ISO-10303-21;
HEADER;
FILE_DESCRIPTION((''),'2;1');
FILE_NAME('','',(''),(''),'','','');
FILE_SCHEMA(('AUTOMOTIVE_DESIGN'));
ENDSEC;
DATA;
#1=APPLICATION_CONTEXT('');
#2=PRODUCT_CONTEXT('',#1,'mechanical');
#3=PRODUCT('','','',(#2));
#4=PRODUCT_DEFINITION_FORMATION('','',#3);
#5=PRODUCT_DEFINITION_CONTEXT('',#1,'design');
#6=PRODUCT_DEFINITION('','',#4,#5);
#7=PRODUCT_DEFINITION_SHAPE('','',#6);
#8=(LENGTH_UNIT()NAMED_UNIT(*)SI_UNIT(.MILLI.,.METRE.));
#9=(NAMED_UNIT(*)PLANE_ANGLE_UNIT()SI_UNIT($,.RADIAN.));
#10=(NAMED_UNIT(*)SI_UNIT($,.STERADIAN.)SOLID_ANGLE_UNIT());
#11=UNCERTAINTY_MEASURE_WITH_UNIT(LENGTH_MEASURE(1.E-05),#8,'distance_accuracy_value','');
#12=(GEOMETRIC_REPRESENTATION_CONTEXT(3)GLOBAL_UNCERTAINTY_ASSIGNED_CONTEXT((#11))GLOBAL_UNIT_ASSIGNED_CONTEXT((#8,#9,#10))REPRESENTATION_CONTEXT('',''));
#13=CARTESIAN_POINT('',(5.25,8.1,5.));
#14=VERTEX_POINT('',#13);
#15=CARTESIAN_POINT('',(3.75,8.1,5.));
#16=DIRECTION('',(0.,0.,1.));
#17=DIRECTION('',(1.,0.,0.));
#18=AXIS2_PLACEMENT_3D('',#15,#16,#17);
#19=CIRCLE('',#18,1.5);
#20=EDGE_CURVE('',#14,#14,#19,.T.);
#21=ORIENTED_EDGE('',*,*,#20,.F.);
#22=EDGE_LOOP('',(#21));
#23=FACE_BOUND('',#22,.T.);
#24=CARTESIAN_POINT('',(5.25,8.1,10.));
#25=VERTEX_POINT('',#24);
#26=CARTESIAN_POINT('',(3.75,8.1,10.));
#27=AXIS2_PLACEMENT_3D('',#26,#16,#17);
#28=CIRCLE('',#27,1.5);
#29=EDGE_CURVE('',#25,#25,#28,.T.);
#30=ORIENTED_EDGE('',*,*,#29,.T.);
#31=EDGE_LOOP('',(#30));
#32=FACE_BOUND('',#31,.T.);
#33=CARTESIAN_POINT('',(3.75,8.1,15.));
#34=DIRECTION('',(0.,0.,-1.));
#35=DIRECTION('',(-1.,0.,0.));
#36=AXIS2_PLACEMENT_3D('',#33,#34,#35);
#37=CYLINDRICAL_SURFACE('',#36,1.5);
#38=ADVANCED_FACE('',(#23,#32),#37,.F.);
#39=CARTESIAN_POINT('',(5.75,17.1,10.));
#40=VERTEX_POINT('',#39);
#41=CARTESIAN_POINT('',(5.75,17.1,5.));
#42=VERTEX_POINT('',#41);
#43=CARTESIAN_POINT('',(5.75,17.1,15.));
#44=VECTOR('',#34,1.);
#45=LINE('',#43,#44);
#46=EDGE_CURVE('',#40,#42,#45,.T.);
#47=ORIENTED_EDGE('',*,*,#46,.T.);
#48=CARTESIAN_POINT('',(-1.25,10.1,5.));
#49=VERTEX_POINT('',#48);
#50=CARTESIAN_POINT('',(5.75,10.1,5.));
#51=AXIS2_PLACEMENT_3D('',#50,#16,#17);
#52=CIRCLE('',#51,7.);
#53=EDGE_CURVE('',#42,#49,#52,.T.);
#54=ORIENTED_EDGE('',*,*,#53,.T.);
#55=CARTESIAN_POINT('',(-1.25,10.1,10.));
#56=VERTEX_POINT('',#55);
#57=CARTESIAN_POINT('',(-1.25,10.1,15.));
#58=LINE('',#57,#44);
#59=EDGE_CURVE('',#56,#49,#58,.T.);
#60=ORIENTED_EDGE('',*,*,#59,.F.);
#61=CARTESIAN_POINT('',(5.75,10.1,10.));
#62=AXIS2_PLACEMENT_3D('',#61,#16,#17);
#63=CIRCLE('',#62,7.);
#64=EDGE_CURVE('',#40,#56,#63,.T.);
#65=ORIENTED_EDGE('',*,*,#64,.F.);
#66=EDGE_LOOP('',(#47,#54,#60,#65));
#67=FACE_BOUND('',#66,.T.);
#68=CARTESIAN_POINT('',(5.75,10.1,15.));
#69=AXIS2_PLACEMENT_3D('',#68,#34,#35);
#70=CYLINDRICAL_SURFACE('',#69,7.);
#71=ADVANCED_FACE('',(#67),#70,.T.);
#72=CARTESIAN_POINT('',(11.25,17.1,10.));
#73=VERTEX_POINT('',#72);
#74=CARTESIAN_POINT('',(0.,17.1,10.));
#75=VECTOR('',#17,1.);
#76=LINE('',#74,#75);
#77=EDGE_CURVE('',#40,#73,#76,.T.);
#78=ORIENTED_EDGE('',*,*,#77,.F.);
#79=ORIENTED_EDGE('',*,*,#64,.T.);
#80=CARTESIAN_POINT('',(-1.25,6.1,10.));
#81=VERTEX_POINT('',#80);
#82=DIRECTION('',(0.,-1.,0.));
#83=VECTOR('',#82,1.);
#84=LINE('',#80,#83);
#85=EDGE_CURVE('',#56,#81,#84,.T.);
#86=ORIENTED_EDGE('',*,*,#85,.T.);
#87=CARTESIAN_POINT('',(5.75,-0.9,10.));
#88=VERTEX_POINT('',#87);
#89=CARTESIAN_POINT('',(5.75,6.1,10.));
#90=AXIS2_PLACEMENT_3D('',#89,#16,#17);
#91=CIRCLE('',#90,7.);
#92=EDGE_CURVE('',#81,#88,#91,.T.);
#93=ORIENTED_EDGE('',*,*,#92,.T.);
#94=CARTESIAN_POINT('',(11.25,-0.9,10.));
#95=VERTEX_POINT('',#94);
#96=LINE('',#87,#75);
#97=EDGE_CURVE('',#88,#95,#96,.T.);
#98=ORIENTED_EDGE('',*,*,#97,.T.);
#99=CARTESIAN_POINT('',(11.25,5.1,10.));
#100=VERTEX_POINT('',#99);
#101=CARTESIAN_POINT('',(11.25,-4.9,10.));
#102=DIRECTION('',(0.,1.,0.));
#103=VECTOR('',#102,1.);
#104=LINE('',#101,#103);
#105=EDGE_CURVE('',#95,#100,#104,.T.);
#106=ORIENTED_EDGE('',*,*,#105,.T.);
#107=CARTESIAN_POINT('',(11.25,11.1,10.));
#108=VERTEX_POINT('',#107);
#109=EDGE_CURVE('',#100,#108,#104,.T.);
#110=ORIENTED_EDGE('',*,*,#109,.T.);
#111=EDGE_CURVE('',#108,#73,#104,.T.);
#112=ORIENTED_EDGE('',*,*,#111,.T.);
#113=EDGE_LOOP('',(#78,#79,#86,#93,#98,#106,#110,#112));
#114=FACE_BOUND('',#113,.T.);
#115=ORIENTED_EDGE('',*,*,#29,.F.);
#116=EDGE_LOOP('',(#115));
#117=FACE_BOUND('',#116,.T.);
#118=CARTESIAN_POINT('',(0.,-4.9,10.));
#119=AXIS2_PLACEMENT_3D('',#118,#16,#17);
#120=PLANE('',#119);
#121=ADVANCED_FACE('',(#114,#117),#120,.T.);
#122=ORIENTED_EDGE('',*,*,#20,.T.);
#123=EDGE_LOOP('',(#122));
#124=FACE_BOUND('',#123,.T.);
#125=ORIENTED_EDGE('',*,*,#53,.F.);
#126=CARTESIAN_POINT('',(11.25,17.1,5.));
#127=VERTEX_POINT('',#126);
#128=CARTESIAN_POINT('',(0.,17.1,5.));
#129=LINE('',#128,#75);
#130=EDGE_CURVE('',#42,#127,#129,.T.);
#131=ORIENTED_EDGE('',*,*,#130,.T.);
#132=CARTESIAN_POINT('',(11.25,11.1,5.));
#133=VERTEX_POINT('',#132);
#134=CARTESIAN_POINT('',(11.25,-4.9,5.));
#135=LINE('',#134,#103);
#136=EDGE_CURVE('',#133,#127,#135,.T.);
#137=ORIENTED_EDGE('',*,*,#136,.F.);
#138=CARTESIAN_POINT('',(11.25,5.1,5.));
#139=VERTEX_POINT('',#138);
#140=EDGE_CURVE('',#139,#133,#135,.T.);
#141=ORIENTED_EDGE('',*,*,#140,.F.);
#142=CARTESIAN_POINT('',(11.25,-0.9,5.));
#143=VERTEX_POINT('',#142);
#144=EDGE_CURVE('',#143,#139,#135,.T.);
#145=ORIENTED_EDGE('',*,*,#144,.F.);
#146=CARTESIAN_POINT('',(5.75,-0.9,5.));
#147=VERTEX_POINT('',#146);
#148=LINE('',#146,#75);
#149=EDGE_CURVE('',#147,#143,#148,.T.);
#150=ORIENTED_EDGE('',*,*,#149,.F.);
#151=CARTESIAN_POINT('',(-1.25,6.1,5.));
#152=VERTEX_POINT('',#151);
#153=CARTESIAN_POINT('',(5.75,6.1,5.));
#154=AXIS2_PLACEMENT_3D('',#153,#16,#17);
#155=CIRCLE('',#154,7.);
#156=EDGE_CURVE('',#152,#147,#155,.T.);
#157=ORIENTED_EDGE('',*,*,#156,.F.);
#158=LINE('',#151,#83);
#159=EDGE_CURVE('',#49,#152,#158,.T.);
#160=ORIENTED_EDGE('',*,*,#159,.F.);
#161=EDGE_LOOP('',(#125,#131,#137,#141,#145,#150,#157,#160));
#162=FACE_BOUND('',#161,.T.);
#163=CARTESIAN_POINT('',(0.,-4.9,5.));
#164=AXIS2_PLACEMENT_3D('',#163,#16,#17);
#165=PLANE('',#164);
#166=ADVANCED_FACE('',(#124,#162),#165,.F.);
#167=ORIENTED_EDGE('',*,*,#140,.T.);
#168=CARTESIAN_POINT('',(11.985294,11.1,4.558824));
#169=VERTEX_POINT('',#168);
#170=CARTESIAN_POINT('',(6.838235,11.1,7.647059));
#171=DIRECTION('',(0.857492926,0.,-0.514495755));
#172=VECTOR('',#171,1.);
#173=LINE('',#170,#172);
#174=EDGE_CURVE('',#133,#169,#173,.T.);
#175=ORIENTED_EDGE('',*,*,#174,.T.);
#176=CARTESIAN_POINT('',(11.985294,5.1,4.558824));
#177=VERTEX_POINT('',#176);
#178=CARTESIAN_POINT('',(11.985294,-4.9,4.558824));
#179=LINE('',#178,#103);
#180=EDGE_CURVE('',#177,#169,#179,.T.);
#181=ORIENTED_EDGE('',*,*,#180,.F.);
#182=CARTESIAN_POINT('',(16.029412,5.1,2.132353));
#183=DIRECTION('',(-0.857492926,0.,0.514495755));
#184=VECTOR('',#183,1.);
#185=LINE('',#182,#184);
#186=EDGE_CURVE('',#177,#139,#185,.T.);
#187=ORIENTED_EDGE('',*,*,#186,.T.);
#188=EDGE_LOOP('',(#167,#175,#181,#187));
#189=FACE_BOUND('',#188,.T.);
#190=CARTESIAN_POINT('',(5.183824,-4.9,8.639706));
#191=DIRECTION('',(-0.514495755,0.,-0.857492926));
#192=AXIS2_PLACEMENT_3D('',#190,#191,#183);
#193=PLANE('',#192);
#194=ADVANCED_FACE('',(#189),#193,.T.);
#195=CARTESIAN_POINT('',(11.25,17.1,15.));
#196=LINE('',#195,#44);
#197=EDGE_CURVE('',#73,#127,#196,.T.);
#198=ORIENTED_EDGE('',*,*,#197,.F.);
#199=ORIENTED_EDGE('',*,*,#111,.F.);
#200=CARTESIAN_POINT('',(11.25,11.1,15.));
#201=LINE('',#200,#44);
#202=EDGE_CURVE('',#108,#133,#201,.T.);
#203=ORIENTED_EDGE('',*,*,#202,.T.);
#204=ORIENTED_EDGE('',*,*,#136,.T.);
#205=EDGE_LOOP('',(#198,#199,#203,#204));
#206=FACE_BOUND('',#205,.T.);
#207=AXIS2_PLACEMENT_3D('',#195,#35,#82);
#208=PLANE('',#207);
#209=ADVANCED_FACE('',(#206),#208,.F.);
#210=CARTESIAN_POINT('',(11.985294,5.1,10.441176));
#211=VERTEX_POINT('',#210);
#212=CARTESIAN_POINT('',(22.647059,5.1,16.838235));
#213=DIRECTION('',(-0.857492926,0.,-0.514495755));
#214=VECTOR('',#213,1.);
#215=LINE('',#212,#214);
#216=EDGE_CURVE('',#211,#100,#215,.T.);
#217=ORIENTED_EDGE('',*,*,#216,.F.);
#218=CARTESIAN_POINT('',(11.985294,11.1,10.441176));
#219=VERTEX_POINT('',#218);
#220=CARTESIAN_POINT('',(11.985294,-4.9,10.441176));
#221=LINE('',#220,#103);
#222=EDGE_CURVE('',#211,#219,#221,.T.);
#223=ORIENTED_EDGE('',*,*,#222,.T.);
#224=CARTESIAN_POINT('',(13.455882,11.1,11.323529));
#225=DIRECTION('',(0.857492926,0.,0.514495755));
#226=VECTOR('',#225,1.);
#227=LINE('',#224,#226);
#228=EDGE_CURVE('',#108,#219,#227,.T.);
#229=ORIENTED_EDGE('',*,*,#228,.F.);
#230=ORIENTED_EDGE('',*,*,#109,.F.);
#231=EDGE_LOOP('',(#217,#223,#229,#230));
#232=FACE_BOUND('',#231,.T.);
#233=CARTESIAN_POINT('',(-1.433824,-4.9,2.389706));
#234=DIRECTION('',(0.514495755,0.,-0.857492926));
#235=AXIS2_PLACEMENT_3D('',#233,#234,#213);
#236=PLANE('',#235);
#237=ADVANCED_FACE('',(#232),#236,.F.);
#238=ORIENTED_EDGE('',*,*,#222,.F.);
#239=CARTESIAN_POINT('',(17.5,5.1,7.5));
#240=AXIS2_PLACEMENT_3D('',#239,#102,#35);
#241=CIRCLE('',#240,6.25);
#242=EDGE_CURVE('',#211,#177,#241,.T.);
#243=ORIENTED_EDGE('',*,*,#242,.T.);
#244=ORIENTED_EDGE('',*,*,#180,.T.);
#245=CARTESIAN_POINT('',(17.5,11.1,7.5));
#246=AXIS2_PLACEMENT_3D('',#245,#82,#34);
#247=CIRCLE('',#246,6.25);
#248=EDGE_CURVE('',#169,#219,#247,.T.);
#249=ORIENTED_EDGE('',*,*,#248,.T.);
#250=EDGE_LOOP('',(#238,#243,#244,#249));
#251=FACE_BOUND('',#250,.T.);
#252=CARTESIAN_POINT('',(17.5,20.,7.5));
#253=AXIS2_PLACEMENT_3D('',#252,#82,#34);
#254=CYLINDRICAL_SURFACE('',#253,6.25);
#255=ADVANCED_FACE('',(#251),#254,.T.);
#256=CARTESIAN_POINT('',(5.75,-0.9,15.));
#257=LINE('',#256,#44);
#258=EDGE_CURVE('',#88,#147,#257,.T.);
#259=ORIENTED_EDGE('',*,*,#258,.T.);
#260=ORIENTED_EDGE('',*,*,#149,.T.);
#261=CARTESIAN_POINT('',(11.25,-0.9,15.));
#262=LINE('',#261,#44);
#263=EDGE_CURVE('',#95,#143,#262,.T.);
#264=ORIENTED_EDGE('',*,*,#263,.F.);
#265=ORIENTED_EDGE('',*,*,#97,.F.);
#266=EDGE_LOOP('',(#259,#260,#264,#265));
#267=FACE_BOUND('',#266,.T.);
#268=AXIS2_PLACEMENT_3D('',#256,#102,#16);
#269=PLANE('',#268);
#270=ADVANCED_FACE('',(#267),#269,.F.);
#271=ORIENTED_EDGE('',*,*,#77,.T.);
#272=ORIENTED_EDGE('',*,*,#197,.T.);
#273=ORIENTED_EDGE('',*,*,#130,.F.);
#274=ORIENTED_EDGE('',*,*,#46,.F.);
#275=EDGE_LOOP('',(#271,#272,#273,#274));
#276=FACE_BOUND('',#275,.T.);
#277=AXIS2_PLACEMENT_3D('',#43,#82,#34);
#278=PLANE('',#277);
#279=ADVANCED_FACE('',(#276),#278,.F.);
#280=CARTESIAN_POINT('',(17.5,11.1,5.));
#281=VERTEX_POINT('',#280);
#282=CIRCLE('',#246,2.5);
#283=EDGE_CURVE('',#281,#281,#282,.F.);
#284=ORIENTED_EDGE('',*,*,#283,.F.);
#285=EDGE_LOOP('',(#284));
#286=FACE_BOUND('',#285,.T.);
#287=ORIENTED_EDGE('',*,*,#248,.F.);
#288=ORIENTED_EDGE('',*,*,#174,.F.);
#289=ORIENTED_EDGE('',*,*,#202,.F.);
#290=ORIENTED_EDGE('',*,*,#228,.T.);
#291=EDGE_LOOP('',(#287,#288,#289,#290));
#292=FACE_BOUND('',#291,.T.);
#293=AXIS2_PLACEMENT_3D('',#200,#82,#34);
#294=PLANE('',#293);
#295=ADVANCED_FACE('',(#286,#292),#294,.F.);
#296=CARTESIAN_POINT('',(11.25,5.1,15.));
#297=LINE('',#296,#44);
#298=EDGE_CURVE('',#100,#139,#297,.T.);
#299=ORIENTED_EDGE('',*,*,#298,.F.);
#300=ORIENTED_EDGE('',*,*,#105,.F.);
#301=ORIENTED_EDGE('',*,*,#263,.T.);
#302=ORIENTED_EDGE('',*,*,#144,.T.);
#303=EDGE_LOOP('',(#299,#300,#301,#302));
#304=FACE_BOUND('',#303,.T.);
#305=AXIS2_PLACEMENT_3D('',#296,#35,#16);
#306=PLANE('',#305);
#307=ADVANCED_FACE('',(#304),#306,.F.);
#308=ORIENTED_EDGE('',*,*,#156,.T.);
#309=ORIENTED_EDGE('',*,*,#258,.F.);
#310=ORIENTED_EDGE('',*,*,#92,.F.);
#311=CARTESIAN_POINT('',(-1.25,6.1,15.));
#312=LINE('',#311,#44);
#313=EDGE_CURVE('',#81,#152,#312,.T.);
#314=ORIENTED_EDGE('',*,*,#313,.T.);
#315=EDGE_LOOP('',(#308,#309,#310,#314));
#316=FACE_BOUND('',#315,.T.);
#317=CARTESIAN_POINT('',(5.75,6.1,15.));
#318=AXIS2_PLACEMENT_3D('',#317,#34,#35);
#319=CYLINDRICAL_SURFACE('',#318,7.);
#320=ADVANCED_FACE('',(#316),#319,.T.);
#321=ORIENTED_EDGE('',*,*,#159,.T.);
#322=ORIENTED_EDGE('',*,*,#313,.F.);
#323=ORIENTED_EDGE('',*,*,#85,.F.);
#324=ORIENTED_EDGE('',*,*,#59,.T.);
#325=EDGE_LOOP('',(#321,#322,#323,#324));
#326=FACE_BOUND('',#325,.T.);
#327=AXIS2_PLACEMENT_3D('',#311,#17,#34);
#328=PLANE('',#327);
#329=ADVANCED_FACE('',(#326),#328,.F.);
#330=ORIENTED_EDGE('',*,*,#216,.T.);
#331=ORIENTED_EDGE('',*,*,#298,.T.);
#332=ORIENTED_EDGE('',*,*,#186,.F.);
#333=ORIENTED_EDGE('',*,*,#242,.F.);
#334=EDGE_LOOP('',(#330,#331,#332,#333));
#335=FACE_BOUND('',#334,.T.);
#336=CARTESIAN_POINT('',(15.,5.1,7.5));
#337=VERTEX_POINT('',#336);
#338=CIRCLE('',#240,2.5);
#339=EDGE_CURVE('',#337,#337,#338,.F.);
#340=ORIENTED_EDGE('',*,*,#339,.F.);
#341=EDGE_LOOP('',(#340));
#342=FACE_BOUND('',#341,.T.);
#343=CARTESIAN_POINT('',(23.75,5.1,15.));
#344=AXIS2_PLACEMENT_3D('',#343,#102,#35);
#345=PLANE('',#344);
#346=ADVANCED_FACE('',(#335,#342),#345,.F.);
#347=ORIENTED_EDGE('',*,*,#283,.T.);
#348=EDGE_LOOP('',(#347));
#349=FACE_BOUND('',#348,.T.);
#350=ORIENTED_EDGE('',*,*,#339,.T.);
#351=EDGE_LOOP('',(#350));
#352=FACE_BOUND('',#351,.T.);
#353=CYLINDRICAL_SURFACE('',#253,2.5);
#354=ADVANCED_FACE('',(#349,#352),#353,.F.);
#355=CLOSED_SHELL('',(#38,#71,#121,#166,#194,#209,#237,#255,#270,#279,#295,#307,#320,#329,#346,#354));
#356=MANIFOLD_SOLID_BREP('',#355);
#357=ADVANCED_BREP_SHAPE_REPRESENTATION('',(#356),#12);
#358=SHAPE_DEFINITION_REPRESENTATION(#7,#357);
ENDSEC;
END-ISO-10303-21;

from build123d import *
from build123d.topology import SkipClean

# Parameters (mm, degrees)
CROQUIS1_R              = 1.5
SALIENTE_EXTRUIR1_DEPTH = 15
CROQUIS2_R              = 2.5
CORTAR_EXTRUIR1_DEPTH   = 20
CORTAR_EXTRUIR2_START   = -22
CORTAR_EXTRUIR2_DEPTH   = 22


with BuildPart() as part:
    # Croquis1 → Saliente-Extruir1 (new body)
    with BuildSketch(Plane.XY):
        with BuildLine():
            Line((11.25, 17.1), (11.25, 11.1))
            Line((11.25, 11.1), (23.75, 11.1))
            Line((23.75, 11.1), (23.75, 5.1))
            Line((23.75, 5.1), (11.25, 5.1))
            Line((11.25, 5.1), (11.25, -0.9))
            Line((11.25, -0.9), (5.75, -0.9))
            ThreePointArc((5.75, -0.9), (0.800252532, 1.150252532), (-1.25, 6.1))
            Line((-1.25, 6.1), (-1.25, 10.1))
            ThreePointArc((-1.25, 10.1), (0.800252532, 15.049747468), (5.75, 17.1))
            Line((5.75, 17.1), (11.25, 17.1))
        make_face()
        with Locations((3.75, 8.1)):
            Circle(CROQUIS1_R, mode=Mode.SUBTRACT)
    extrude(amount=SALIENTE_EXTRUIR1_DEPTH)

    # Croquis2 → Cortar-Extruir1 (cut)
    with BuildSketch(Plane(origin=(0, 0, 0), x_dir=(1, 0, 0), z_dir=(0, 1, 0))):
        with Locations(Location((17.5, -7.5, 0), (0, 0, 90))):
            Circle(CROQUIS2_R)
        with BuildLine():
            Line((17.5, -1.25), (11.25, 0))
            Line((11.25, 0), (11.126279301, 1.868603497))
            Line((11.126279301, 1.868603497), (29.663453957, 1.868603497))
            Line((29.663453957, 1.868603497), (29.663453957, -17.961269996))
            Line((29.663453957, -17.961269996), (11.25, -17.961269996))
            Line((11.25, -17.961269996), (11.25, -15))
            Line((11.25, -15), (17.5, -13.75))
            ThreePointArc((17.5, -13.75), (23.75, -7.5), (17.5, -1.25))
        make_face()
    extrude(amount=CORTAR_EXTRUIR1_DEPTH, mode=Mode.SUBTRACT)

    # Croquis3 → Cortar-Extruir2 (cut)
    with SkipClean():  # the faces are left unmerged after this step: merging them gives an invalid solid
        with BuildSketch(Plane(origin=(0, 17.1, 0), x_dir=(1, 0, 0), z_dir=(0, 1, 0)).offset(CORTAR_EXTRUIR2_START)):
            with BuildLine():
                Line((-4.130088798, -10), (11.25, -10))
                Line((11.25, -10), (11.985294118, -10.441176471))
                ThreePointArc((11.985294118, -10.441176471), (14.284401529, -12.859330786), (17.5, -13.75))
                Line((17.5, -13.75), (17.5, -15.581395259))
                Line((17.5, -15.581395259), (-4.130088798, -15.581395259))
                Line((-4.130088798, -15.581395259), (-4.130088798, -10))
            make_face()
            with BuildLine():
                Line((-3.464792336, -5), (11.25, -5))
                Line((11.25, -5), (11.985294118, -4.558823529))
                ThreePointArc((11.985294118, -4.558823529), (14.284401529, -2.140669214), (17.5, -1.25))
                Line((17.5, -1.25), (17.5, 1.677177667))
                Line((17.5, 1.677177667), (-3.464792336, 1.677177667))
                Line((-3.464792336, 1.677177667), (-3.464792336, -5))
            make_face()
        extrude(amount=CORTAR_EXTRUIR2_DEPTH, mode=Mode.SUBTRACT)


solid = part.part
